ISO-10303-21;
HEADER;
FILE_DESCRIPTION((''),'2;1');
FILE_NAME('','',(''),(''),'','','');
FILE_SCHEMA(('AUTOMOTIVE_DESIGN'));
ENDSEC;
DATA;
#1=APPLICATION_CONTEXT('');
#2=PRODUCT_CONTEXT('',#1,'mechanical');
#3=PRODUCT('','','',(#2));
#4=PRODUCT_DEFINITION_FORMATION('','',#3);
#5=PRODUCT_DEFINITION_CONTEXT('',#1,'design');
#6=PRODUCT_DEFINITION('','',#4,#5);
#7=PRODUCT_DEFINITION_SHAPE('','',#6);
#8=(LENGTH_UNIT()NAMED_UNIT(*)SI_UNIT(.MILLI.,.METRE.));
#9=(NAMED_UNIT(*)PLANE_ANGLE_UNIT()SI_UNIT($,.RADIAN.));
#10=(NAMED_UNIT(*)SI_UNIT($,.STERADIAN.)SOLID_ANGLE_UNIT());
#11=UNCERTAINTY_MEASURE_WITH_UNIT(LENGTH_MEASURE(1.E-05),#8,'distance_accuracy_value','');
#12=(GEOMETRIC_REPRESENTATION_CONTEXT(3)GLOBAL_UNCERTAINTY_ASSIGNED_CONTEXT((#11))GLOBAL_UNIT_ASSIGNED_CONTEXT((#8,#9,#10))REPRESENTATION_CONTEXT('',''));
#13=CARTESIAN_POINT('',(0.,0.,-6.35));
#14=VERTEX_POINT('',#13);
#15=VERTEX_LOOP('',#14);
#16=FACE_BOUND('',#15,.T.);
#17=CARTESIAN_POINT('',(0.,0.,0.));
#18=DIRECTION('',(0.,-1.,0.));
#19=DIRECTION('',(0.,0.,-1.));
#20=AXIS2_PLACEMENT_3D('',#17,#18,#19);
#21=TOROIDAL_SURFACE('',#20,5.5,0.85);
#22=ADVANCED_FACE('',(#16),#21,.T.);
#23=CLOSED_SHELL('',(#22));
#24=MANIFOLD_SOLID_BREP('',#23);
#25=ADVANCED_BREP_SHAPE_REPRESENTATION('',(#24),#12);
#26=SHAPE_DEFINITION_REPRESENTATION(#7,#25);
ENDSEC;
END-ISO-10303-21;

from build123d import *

# Parameters (mm, degrees)
SKETCH1_R = 0.85


with BuildPart() as part:
    # Sketch1 → Revolve1 (revolve)
    with BuildSketch(Plane.XY, mode=Mode.PRIVATE) as revolve1_sk:
        with Locations((-5.5, 0)):
            Circle(SKETCH1_R)
    revolve(revolve1_sk.sketch.rotate(Axis((0, -3.97209602, 0), (0, 1, 0)), 270), axis=Axis((0, -3.97209602, 0), (0, 1, 0)))


solid = part.part
